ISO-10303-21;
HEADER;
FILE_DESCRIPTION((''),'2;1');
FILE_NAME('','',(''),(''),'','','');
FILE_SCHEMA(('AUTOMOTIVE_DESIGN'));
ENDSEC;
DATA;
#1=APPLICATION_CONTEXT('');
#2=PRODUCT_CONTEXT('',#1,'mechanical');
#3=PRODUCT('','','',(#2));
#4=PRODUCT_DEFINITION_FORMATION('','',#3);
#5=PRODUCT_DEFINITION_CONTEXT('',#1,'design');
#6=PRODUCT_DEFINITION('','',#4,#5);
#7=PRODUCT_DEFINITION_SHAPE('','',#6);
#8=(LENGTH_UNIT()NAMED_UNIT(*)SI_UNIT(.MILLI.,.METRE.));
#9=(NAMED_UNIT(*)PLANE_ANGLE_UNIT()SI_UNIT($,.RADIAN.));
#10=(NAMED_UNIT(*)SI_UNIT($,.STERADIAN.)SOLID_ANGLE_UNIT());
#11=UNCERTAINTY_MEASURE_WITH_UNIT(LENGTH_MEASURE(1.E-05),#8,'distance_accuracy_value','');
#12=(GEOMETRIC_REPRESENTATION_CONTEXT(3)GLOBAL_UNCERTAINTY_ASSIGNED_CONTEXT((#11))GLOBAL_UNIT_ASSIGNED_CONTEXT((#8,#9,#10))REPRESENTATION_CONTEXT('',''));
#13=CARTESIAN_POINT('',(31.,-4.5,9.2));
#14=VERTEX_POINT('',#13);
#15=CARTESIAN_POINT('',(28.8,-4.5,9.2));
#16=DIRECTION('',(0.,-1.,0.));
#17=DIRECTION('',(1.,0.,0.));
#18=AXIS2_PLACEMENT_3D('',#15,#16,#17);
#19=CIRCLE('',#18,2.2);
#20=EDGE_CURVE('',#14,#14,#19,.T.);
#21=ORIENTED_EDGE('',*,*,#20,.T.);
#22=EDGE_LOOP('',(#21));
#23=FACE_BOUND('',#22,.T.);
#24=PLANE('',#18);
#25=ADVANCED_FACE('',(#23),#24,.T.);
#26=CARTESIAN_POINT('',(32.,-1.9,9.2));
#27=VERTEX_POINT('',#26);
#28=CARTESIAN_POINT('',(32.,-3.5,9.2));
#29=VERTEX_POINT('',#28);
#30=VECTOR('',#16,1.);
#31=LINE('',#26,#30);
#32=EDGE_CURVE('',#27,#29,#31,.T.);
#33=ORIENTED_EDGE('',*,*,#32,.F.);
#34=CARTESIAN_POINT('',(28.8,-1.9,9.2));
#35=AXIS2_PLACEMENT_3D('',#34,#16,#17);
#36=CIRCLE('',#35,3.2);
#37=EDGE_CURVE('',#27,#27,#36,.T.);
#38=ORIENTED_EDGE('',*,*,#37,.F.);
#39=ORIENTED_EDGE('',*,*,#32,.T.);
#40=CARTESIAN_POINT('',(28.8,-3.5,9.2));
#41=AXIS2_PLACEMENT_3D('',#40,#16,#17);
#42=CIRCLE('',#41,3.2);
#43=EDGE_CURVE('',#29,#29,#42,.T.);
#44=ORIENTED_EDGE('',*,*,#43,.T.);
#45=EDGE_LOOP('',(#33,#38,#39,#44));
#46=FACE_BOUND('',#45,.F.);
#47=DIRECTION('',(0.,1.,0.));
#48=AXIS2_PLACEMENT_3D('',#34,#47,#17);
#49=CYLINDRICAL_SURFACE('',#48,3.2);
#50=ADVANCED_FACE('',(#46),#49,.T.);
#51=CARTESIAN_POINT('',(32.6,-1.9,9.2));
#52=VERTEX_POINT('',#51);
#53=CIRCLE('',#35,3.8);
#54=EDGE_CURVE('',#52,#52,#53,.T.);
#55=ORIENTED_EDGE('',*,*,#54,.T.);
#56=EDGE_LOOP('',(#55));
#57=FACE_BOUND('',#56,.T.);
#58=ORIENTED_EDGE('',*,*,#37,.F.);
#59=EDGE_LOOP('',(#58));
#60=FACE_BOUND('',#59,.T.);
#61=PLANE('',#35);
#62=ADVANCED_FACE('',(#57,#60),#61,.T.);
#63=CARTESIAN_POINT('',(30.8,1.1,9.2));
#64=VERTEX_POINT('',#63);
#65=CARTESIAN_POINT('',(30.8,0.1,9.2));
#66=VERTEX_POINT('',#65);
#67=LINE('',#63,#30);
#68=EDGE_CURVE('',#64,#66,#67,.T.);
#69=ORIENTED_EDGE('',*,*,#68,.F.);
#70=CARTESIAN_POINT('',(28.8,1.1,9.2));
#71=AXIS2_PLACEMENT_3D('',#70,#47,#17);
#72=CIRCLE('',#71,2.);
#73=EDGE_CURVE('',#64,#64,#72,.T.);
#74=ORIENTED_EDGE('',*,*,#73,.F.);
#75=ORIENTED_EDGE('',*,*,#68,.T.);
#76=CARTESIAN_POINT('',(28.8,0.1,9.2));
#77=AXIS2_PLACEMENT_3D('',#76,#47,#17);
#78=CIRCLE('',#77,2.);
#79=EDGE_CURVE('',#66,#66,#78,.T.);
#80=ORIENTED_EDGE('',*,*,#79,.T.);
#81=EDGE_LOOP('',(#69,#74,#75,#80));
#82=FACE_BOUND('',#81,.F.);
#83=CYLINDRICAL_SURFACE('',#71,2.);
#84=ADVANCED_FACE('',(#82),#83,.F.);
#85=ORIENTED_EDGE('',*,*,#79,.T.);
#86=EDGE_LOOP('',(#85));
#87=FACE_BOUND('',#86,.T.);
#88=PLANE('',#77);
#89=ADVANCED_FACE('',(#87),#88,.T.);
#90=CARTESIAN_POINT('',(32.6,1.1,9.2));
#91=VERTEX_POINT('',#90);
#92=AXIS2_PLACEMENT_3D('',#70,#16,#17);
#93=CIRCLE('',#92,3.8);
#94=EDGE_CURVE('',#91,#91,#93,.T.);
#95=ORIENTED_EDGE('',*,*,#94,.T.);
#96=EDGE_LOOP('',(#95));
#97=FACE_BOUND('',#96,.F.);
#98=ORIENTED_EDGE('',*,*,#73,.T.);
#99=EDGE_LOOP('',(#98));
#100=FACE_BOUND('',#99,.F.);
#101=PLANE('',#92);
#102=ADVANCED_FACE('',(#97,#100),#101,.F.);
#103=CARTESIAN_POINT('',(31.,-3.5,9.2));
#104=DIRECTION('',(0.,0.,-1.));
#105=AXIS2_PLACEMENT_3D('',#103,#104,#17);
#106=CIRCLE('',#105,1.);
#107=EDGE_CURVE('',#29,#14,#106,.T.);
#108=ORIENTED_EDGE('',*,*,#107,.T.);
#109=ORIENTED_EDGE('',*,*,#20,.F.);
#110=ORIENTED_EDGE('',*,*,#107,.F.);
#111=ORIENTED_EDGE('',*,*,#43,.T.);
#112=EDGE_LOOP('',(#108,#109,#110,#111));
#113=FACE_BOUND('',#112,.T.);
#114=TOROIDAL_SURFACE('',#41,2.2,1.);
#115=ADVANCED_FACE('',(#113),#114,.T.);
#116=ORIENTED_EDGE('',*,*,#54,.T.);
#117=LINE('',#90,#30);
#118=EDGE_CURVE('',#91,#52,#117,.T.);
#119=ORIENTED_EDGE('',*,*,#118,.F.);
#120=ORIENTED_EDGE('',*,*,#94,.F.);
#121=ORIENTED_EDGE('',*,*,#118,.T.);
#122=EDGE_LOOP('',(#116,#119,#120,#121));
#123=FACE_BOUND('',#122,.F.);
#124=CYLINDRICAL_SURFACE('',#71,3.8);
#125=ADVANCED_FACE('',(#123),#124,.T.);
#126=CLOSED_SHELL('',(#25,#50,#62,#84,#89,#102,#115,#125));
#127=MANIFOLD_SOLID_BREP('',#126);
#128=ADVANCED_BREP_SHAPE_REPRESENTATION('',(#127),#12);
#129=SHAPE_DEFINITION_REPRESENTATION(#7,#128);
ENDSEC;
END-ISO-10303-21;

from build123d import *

# Parameters (mm, degrees)
SKETCH026_R     = 3.8
PAD009_DEPTH    = 3
SKETCH027_R     = 3.2
PAD010_DEPTH    = 2.6
FILLET_R        = 1
SKETCH029_R     = 2
POCKET013_DEPTH = 1


with BuildPart() as part:
    # Sketch026 → Pad009 (new body)
    with BuildSketch(Plane.XZ):
        with Locations((28.8, 9.2)):
            Circle(SKETCH026_R)
    extrude(amount=PAD009_DEPTH)

    # Sketch027 (on Face3 of Pad009) → Pad010 (join)
    with BuildSketch(Plane.XZ.offset(3)):
        with Locations((28.8, 9.2)):
            Circle(SKETCH027_R)
    extrude(amount=PAD010_DEPTH)

    # Fillet
    fillet_edges = [part.edges().sort_by_distance(p)[0] for p in [
        (25.6, -5.6, 9.2),
    ]]
    fillet(fillet_edges, radius=FILLET_R)

    # Sketch029 (on Face6 of Fillet) → Pocket013 (cut)
    with BuildSketch(Plane(origin=(0, 0, 0), x_dir=(1, 0, 0), z_dir=(0, 1, 0))):
        with Locations((28.8, -9.2)):
            Circle(SKETCH029_R)
    extrude(amount=-POCKET013_DEPTH, mode=Mode.SUBTRACT)


with BuildPart() as part_1:
    # Body003 placement: moved
    add(part.part.moved(Location((0, 1.1, 0))))


solid = part_1.part
